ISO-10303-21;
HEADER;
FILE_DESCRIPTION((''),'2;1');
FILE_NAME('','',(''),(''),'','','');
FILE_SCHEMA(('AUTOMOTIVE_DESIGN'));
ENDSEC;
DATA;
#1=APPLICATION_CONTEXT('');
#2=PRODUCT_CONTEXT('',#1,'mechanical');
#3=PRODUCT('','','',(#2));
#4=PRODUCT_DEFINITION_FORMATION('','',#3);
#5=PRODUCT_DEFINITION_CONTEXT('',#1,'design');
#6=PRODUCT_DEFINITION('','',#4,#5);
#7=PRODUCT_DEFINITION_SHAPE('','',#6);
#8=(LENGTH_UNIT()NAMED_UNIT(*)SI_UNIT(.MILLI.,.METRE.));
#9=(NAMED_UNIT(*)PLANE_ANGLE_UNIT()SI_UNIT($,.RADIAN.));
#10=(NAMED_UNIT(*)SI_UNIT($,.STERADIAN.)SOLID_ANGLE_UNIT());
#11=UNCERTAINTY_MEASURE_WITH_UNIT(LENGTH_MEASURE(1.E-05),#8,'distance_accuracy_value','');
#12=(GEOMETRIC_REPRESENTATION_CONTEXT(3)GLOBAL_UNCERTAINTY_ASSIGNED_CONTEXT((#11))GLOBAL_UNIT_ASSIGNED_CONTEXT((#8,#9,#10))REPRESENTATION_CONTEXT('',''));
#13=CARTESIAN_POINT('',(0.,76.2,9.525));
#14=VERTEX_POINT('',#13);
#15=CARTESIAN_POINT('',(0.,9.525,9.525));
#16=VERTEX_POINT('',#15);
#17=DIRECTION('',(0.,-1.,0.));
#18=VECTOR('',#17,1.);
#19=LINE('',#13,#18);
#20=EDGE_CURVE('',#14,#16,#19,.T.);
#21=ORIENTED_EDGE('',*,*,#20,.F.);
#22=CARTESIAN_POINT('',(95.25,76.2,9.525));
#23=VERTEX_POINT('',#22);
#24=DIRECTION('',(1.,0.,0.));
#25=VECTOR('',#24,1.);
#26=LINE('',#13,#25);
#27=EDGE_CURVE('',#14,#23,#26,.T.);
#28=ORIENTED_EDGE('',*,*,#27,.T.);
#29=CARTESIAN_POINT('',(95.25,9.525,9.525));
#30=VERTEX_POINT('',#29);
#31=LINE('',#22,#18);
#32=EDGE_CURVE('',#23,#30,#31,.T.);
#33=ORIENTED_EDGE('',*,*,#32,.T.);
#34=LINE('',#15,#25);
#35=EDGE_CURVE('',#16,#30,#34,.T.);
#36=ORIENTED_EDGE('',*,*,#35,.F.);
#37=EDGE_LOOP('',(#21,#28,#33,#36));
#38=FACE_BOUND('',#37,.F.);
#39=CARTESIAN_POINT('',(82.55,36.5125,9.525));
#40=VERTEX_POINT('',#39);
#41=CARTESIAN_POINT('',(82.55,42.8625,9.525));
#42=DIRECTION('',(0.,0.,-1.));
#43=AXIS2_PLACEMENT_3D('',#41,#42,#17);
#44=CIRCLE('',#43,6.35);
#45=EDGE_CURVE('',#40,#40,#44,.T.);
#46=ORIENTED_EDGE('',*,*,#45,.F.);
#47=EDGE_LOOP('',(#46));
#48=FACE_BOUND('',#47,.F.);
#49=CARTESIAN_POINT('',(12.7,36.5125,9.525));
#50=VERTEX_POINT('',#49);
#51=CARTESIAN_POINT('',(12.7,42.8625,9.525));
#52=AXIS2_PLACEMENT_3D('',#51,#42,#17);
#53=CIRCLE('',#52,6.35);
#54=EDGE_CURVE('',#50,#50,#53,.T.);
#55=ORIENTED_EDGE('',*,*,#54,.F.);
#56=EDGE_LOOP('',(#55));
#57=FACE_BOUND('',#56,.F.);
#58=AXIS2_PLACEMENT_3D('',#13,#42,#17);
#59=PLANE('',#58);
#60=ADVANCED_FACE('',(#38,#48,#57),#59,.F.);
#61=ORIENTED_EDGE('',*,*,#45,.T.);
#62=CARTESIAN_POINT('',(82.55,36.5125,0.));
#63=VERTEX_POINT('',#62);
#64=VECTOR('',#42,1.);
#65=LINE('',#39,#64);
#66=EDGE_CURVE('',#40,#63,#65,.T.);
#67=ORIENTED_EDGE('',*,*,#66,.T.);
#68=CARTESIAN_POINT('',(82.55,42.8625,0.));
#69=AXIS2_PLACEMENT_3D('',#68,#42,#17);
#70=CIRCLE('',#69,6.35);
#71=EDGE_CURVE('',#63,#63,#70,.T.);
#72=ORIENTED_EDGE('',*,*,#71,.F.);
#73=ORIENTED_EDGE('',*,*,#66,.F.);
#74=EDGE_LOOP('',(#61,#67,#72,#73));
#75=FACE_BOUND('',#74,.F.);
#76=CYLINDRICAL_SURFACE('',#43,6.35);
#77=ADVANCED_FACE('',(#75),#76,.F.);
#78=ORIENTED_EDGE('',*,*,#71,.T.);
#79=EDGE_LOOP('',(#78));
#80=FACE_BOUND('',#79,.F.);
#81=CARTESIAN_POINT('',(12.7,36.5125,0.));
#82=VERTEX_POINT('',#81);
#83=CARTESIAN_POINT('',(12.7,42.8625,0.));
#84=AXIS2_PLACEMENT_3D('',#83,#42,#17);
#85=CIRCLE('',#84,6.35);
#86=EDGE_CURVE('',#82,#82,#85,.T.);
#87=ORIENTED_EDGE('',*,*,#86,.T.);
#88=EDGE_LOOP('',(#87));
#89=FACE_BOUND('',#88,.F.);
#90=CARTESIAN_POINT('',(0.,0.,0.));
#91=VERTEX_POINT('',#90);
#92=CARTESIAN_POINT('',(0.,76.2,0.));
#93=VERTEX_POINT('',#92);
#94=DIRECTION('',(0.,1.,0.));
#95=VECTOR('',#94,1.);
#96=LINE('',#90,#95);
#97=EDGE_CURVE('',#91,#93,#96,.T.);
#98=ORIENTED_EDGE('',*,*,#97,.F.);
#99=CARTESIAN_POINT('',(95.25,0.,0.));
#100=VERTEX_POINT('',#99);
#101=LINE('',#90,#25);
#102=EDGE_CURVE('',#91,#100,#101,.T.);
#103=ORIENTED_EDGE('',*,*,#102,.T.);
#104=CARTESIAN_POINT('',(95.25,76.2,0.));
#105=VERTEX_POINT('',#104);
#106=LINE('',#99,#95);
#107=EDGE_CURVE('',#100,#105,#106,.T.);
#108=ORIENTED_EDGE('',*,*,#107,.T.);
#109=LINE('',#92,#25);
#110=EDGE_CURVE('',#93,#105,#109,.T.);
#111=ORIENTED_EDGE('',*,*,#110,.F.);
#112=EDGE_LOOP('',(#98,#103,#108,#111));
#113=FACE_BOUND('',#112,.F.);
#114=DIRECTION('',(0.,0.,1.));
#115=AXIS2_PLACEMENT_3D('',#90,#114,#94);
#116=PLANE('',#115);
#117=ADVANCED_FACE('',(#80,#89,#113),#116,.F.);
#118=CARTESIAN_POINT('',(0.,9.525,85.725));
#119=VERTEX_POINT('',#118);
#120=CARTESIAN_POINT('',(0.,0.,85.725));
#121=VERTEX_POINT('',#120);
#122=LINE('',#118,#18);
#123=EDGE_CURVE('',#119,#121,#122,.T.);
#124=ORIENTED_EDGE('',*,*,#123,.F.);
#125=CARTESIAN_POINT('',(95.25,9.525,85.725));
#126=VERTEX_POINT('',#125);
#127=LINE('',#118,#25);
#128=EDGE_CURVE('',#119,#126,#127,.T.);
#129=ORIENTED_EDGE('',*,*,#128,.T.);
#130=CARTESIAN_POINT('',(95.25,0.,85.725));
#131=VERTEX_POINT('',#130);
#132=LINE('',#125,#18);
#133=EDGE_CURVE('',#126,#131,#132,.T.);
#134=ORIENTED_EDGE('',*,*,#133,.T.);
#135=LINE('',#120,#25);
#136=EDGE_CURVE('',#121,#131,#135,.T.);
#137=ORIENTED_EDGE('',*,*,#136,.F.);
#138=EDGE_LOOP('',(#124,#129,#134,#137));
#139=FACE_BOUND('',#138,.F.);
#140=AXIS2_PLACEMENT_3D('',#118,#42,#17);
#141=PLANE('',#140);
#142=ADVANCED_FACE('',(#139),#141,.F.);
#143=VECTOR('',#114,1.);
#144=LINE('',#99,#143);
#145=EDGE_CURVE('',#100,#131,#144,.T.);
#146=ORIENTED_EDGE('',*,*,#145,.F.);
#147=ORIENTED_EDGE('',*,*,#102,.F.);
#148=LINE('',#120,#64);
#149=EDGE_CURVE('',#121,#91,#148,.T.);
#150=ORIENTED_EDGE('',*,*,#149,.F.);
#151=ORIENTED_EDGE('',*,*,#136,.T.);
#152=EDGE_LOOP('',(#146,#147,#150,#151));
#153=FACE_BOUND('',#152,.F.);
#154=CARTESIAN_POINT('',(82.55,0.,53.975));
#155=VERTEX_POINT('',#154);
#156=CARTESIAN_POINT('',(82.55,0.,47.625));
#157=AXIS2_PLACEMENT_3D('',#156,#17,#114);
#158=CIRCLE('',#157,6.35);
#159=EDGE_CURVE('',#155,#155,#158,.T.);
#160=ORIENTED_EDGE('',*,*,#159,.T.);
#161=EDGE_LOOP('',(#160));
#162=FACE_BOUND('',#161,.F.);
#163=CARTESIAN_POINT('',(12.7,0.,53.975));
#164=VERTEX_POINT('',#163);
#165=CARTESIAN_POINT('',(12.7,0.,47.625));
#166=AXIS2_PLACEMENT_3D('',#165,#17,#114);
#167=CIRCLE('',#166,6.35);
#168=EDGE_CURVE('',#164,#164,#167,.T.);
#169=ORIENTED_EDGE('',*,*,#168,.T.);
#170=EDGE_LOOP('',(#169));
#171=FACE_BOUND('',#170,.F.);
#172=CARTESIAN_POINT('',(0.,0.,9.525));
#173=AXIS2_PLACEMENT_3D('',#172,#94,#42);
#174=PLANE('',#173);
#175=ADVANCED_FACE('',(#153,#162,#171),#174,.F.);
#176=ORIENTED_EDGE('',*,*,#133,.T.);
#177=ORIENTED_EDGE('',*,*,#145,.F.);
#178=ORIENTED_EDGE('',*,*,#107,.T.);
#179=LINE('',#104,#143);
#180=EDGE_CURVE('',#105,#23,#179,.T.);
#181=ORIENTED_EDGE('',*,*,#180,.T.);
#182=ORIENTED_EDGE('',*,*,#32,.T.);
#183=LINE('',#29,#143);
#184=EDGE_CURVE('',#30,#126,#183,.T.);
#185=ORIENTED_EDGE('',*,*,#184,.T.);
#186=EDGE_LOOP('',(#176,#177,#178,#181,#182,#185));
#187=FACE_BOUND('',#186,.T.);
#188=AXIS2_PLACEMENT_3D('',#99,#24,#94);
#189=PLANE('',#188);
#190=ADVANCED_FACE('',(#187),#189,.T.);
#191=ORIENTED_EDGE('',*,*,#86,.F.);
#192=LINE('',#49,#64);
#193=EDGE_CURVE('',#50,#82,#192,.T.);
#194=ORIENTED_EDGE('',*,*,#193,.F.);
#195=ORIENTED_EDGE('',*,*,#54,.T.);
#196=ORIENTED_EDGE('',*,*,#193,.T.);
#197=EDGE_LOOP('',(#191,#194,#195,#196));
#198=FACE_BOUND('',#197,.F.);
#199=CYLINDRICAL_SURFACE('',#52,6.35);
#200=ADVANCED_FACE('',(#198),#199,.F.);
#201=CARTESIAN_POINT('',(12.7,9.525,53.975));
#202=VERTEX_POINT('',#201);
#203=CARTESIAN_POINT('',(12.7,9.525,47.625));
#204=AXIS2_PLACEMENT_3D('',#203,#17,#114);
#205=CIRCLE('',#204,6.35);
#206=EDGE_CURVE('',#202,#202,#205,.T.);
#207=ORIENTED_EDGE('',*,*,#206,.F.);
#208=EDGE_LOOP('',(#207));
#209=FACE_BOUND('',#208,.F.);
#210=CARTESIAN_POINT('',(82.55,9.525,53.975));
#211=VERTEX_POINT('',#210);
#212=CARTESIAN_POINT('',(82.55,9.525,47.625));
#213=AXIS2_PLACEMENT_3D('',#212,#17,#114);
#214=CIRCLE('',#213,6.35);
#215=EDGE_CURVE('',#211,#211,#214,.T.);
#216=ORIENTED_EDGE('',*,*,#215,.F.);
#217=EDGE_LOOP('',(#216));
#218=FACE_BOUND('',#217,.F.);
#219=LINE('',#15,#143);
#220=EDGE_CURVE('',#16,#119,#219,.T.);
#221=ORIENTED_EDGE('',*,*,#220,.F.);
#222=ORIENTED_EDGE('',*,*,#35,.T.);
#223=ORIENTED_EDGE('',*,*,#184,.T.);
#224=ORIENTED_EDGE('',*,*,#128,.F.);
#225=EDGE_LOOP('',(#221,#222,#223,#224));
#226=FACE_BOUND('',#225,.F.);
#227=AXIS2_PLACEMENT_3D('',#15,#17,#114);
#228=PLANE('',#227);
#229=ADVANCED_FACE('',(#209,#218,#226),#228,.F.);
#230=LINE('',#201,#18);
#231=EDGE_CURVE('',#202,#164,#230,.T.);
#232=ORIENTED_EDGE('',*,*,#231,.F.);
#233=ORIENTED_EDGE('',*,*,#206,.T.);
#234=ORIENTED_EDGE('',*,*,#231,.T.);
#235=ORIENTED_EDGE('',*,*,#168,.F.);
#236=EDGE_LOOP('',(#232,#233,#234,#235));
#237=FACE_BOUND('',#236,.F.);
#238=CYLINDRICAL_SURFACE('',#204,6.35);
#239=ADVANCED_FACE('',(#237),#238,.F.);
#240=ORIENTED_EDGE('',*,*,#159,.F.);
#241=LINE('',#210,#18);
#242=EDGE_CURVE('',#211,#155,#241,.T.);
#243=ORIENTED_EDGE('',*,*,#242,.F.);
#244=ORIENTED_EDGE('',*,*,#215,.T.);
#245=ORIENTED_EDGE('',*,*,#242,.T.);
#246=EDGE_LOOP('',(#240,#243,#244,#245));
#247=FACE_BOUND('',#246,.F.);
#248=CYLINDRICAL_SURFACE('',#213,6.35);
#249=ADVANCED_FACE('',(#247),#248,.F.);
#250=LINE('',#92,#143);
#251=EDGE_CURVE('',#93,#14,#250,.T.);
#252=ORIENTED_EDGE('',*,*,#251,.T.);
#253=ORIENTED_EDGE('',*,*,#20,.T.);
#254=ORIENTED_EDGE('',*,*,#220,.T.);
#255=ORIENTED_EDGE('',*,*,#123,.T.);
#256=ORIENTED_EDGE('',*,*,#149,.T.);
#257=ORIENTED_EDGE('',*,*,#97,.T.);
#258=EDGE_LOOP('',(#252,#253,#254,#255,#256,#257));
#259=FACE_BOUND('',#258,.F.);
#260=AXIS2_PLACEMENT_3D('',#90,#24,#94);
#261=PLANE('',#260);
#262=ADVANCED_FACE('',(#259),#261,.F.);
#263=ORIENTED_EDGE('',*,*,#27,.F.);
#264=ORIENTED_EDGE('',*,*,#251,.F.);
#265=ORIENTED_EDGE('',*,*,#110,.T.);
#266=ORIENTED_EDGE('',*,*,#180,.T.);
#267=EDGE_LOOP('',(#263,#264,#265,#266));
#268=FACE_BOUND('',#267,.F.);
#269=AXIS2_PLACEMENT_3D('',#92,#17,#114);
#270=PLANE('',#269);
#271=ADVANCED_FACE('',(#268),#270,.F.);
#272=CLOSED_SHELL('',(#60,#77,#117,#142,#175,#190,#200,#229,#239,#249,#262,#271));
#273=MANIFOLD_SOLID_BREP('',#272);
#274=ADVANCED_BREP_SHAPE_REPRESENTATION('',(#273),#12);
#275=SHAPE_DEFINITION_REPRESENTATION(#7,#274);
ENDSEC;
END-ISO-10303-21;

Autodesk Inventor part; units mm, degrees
ref_plane "YZ Plane" through (0, 0, 0) normal (1, 0, 0) x (0, 1, 0)
ref_plane "XZ Plane" through (0, 0, 0) normal (0, 1, 0) x (-1, 0, 0)
ref_plane "XY Plane" through (0, 0, 0) normal (0, 0, 1) x (1, 0, 0)
sketch "Sketch1" plane through (0, 0, 0) normal (1, 0, 0) x (0, 1, 0)
  line L0 (0, 0) -> (76.2, 0)
  line L1 (76.2, 0) -> (76.2, 9.525)
  line L2 (76.2, 9.525) -> (9.525, 9.525)
  line L3 (0, 9.525) -> (0, 0)
  line L4 (9.525, 9.525) -> (9.525, 85.725)
  line L5 (9.525, 85.725) -> (0, 85.725)
  line L6 (0, 85.725) -> (0, 9.525)
  dimension "d4" = 76.2
  dimension "d5" = 9.525
  dimension "d6" = 9.525
  dimension "d7" = 76.2
extrude "Extrusion1" add sketch "Sketch1" along normal blind 95.25
sketch "Sketch2" plane through (0, 9.525, 85.725) normal (0, 1, 0) x (1, 0, 0)
  line L0 (95.25, 76.2) -> (95.25, 0) projected
  circle A0 centre (82.55, 38.1) radius 4.4901
  circle A1 centre (12.7, 38.1) radius 5.7238
  point P0 (0, 85.725)
  dimension "d13" = 12.7
  dimension "d14" = 69.85
hole "Hole1" at (12.7, 9.525, 47.625) at (82.55, 9.525, 47.625) direction (0, -1, 0) diameter 12.7 depth 25.4 tip angle 118
sketch "Sketch3" plane through (0, 9.525, 9.525) normal (0, 0, 1) x (1, 0, 0)
  line L0 (95.25, 66.675) -> (95.25, 0) projected
  circle A0 centre (82.55, 33.3375) radius 4.4901
  circle A1 centre (12.7, 33.3375) radius 3.5498
  point P0 (0, -9.525)
  dimension "d22" = 12.7
  dimension "d23" = 69.85
hole "Hole2" at (12.7, 42.8625, 9.525) at (82.55, 42.8625, 9.525) direction (0, 0, -1) diameter 12.7 depth 25.4 tip angle 118
properties part number "0wrab" material "Steel, Galvanized"
